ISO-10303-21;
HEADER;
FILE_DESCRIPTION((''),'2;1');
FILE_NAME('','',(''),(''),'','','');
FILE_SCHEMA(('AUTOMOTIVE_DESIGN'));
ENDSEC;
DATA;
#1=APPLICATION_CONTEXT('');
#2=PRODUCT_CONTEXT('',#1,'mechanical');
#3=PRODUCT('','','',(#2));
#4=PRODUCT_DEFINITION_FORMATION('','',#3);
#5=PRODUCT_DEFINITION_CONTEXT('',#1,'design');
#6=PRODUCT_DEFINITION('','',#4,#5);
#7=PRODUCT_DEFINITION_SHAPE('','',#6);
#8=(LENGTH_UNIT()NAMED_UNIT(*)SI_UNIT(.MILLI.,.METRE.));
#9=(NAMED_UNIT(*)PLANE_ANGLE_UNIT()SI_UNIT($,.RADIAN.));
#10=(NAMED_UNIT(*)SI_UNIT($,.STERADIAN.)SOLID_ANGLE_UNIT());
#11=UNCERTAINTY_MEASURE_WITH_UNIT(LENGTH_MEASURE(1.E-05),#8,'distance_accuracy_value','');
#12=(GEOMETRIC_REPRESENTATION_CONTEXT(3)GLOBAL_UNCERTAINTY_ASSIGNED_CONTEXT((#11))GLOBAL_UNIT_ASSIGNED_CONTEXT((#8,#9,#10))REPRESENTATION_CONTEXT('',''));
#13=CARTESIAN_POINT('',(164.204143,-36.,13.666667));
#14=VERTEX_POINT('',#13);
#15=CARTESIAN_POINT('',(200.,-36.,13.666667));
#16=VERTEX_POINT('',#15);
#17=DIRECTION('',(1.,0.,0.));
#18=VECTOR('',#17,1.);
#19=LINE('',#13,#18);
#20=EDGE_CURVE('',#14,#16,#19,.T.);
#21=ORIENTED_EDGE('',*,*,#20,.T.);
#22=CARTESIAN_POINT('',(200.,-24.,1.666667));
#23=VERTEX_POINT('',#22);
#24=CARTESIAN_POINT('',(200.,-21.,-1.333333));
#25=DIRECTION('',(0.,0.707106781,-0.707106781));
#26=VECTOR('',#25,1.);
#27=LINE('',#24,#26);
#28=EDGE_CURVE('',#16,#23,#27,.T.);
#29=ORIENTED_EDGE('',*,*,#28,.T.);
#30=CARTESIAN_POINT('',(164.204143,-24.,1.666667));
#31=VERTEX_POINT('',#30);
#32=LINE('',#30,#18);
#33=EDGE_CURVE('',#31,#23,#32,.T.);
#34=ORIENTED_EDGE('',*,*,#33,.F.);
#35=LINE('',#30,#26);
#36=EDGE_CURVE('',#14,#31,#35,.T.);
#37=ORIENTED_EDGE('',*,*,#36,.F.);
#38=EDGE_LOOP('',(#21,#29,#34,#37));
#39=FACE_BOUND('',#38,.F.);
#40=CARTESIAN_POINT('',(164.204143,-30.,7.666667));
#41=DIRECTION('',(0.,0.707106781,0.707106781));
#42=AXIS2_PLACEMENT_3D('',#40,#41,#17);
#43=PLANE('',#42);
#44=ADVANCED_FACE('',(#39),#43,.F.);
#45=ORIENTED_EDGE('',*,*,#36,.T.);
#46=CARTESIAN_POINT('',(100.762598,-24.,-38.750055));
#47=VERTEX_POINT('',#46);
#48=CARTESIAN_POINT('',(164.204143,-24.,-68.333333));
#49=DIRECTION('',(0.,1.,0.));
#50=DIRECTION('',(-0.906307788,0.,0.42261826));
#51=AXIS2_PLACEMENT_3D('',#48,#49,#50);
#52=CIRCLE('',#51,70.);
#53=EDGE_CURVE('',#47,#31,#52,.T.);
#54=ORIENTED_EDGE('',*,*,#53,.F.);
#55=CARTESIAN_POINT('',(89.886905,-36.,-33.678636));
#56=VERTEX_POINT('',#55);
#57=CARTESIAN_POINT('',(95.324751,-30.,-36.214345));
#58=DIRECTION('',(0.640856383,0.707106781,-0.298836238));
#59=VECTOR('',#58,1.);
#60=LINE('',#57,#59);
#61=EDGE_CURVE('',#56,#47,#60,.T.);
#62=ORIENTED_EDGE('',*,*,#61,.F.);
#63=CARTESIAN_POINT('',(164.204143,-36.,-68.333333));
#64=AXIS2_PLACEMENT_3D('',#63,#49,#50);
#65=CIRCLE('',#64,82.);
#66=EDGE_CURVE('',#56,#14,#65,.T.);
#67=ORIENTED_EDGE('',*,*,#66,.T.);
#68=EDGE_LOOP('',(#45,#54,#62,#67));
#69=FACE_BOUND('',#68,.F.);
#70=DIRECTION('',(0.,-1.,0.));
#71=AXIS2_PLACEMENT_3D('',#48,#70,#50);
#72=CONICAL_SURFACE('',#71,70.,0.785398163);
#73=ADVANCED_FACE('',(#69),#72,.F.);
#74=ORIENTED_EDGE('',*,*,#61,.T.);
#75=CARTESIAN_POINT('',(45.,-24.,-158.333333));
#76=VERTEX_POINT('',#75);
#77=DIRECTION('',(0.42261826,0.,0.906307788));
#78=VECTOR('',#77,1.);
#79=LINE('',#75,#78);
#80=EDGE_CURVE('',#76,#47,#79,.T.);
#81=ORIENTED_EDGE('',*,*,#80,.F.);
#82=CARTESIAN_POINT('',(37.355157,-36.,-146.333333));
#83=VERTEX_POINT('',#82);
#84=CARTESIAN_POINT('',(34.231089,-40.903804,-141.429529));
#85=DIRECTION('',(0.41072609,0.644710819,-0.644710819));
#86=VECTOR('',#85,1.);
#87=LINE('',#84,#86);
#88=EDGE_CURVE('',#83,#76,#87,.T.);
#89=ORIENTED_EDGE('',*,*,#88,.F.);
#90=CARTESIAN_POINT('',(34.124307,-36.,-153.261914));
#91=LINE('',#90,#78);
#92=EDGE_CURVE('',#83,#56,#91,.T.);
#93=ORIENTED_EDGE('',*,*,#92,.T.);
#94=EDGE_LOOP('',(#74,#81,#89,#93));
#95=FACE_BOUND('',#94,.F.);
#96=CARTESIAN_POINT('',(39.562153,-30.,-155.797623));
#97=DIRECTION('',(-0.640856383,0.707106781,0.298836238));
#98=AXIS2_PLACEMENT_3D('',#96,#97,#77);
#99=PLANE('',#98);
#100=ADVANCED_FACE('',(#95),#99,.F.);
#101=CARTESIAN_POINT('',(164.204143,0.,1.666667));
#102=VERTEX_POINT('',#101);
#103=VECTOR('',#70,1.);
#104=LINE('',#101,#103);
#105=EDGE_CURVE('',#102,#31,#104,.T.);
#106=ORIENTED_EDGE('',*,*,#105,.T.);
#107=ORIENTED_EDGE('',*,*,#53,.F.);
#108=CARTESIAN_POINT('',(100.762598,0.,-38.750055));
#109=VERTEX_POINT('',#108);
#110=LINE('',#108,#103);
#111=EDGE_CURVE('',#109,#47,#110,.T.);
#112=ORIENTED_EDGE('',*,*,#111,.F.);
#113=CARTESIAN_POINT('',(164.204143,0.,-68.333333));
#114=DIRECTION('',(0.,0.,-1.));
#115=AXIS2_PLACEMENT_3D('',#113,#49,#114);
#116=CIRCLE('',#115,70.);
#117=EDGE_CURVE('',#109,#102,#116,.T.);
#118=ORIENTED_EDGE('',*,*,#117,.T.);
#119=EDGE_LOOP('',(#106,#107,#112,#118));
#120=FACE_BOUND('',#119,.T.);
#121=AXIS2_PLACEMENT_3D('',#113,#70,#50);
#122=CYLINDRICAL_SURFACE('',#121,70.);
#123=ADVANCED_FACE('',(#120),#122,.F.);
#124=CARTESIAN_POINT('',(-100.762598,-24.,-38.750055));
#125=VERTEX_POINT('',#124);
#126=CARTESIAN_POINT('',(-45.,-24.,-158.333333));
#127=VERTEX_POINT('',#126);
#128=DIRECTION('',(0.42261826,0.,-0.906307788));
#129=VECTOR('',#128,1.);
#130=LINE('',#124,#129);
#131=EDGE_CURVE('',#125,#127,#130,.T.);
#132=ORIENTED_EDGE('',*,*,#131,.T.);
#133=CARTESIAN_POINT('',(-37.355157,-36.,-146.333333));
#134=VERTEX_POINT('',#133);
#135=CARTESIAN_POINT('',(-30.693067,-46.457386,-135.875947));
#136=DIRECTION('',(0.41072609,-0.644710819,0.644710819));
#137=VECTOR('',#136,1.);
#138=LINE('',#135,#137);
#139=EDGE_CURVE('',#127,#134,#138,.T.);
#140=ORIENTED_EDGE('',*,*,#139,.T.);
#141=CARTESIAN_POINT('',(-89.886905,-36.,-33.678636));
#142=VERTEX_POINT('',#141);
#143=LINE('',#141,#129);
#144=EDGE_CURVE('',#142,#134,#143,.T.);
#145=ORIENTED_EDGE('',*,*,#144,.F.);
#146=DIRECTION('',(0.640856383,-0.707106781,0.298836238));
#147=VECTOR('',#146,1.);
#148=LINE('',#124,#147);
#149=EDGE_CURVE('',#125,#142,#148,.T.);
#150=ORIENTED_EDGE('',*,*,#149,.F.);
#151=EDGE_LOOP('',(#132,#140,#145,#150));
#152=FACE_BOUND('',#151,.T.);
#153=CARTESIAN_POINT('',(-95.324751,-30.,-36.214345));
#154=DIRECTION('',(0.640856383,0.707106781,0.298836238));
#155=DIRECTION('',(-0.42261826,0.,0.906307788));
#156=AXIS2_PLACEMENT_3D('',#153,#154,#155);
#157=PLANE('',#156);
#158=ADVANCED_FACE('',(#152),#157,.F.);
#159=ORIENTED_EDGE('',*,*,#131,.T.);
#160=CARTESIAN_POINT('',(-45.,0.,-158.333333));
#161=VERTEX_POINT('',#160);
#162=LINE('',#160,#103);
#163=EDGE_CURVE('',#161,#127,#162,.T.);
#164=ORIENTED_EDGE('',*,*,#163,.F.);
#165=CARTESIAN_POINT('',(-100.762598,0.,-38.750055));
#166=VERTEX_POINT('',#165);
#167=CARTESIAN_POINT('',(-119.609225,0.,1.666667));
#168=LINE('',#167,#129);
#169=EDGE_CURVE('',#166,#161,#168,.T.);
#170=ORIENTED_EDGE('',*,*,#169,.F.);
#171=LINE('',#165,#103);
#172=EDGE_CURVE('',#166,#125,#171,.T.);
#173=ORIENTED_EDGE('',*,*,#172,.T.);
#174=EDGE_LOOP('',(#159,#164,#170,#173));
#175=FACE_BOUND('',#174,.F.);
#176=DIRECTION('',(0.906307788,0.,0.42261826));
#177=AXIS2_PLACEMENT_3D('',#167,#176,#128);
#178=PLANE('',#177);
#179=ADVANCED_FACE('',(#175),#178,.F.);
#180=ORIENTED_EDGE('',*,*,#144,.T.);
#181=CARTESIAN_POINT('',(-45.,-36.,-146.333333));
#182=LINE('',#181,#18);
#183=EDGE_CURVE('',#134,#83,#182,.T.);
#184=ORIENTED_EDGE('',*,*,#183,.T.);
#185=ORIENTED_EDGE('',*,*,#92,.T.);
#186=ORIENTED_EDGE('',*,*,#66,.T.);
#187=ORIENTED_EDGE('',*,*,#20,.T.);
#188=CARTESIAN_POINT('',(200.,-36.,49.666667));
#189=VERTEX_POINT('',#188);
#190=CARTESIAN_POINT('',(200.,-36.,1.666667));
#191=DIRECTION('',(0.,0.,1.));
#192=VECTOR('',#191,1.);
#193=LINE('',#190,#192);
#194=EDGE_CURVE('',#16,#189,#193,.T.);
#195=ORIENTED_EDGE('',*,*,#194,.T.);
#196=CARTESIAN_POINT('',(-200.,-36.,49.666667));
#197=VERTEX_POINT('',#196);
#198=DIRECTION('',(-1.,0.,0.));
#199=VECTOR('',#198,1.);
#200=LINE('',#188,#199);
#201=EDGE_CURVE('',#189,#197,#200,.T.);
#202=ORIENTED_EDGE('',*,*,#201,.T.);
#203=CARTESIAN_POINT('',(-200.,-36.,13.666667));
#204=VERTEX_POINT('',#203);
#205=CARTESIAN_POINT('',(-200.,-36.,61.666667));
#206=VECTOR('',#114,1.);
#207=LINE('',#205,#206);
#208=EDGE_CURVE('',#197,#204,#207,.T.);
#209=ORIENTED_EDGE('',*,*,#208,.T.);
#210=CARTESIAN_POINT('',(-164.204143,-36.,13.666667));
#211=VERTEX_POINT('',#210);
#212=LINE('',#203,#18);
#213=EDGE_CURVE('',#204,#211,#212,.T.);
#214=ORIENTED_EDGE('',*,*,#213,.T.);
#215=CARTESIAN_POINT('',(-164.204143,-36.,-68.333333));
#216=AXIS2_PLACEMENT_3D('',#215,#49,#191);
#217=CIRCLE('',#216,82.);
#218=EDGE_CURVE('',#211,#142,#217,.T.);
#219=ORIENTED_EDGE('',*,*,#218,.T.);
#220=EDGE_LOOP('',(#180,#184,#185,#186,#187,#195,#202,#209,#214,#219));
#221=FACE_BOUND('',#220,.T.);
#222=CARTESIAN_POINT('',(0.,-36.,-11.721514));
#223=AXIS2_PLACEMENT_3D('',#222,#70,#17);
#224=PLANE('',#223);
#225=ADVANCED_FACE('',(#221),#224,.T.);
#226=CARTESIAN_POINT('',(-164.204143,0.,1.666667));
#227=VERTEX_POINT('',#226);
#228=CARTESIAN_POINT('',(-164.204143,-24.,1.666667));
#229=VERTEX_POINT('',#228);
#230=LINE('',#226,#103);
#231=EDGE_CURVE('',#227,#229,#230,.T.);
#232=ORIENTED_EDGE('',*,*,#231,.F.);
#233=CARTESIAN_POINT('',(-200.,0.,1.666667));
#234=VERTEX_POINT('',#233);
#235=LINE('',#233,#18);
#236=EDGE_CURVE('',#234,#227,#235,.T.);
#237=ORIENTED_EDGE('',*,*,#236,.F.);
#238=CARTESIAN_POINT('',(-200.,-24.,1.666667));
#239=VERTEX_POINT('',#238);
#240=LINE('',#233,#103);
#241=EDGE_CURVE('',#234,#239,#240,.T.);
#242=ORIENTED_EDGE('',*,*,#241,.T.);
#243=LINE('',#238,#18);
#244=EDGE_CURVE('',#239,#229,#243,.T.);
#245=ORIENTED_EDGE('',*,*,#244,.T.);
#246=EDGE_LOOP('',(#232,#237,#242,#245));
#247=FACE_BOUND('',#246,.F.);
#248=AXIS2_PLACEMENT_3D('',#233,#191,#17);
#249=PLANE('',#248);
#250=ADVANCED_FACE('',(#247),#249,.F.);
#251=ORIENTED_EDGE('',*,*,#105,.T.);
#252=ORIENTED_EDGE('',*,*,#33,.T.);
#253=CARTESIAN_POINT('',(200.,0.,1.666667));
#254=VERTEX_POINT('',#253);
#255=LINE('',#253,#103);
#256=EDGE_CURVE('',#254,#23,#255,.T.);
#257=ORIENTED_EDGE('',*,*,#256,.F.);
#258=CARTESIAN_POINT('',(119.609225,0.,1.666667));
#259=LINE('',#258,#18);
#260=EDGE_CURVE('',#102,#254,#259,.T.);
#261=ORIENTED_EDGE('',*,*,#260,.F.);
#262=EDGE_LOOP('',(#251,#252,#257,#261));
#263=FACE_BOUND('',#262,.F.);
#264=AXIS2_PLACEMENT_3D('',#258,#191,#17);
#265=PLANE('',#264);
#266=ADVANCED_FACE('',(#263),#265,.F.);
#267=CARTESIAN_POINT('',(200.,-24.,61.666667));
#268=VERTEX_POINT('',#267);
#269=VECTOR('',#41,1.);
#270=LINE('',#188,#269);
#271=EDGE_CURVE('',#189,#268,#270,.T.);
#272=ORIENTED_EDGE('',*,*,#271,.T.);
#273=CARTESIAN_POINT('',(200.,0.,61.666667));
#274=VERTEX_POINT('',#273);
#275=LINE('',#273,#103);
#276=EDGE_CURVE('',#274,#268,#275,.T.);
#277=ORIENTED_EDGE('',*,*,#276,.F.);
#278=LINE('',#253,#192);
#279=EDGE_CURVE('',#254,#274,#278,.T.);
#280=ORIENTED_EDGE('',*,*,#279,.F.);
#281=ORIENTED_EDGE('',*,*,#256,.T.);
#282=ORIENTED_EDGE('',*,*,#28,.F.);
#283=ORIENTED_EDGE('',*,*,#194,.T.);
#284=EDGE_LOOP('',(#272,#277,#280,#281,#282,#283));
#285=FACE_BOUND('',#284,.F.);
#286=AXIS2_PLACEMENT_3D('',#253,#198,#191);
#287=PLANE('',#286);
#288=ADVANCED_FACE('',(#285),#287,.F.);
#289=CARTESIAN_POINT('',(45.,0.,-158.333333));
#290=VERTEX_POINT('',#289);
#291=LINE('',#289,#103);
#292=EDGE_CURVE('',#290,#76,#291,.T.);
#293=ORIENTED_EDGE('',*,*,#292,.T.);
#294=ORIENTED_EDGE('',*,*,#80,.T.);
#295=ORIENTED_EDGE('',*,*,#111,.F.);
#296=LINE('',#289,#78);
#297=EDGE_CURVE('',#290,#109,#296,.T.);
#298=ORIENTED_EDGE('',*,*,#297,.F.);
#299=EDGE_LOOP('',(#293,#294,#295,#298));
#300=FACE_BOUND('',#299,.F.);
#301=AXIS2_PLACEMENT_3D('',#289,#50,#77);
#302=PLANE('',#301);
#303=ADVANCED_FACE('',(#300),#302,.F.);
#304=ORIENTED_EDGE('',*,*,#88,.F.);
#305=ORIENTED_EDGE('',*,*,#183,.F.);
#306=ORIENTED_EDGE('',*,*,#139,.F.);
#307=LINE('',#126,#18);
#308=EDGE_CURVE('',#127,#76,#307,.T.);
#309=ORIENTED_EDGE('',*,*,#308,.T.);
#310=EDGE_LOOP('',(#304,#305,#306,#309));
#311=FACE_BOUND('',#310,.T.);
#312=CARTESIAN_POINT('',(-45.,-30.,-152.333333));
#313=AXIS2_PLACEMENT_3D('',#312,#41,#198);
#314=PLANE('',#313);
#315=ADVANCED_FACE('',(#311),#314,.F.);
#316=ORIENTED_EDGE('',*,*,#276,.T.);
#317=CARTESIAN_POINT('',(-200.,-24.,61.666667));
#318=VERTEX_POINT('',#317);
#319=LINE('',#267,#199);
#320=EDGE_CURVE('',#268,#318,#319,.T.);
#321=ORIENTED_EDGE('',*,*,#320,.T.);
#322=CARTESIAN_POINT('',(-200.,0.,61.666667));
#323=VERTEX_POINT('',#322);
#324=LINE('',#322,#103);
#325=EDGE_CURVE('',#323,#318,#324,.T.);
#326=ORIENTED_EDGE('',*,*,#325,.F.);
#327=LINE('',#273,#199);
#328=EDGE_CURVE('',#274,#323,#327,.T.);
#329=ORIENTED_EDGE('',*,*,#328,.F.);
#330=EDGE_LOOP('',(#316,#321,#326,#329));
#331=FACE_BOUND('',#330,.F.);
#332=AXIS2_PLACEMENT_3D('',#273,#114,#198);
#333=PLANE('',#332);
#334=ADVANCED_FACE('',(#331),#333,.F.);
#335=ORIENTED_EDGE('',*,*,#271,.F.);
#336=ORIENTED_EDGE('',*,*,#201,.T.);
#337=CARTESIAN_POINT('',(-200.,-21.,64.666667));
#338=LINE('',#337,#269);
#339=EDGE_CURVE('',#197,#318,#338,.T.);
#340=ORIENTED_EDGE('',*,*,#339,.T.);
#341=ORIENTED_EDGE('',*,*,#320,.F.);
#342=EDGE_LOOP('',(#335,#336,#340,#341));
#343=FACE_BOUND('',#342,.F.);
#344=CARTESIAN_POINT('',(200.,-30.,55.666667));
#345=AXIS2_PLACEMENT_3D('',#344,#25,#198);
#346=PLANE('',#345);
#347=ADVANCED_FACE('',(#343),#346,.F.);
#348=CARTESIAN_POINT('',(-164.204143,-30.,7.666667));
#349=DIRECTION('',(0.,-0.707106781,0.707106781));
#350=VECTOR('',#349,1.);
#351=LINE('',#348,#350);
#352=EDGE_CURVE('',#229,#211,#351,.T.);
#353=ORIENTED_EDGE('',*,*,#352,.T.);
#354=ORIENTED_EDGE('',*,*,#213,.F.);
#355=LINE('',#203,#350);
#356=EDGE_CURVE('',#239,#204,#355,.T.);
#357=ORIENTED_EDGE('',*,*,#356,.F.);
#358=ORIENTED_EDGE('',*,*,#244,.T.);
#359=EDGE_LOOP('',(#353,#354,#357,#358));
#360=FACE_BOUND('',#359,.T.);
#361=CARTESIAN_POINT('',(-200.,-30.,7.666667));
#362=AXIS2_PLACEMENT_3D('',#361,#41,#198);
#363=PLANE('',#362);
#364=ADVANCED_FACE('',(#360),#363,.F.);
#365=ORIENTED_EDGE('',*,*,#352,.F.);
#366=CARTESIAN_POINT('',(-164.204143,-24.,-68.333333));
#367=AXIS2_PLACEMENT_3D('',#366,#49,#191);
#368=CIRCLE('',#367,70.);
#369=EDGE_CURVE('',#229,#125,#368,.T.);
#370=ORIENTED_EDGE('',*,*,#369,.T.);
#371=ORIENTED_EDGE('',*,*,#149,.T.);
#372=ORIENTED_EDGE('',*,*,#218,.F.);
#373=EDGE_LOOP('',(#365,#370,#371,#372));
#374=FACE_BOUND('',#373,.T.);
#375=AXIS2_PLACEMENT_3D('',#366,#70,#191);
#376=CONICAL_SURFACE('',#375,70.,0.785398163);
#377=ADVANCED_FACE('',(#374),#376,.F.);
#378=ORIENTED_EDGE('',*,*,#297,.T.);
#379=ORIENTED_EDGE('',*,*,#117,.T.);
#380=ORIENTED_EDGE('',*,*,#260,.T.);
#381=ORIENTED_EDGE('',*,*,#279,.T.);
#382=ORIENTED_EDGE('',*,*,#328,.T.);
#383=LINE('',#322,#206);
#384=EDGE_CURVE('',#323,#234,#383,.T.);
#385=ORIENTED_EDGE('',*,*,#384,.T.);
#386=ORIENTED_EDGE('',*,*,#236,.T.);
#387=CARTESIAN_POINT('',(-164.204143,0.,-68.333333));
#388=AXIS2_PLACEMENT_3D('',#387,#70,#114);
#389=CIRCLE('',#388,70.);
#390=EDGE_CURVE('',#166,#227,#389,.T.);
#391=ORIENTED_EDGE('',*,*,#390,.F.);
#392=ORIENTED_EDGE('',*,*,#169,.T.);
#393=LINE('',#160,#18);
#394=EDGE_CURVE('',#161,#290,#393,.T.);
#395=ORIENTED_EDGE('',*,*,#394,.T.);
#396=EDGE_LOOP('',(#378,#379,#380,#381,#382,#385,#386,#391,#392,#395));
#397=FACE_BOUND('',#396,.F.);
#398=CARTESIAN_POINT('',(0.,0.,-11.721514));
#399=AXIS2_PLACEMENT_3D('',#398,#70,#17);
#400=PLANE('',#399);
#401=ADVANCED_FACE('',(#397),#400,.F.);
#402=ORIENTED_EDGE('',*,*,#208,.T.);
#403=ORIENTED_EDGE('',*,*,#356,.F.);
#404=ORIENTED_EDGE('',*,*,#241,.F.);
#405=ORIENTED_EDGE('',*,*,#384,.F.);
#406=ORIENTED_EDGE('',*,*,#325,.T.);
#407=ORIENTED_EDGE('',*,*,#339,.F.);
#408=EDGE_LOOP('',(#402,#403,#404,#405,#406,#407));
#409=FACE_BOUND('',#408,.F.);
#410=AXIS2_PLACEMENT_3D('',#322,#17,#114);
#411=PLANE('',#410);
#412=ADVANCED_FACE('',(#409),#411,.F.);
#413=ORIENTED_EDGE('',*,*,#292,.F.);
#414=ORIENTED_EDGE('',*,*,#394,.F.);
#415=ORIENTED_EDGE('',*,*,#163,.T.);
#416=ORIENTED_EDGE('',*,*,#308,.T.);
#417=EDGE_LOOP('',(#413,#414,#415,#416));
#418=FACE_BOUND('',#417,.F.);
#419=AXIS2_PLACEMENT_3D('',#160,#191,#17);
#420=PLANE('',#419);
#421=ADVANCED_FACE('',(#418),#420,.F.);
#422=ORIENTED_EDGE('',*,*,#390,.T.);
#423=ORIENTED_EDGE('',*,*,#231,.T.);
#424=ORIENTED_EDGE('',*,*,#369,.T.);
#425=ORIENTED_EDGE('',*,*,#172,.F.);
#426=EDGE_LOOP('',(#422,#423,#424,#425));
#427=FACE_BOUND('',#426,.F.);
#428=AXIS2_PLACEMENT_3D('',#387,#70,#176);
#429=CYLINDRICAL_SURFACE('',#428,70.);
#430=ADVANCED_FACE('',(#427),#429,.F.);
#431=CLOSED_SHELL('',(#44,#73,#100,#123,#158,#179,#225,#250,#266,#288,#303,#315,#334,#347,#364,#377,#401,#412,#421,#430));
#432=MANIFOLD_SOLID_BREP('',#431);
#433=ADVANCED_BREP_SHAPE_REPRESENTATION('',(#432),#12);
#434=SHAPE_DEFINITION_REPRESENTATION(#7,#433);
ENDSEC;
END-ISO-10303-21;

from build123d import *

# Parameters (mm, degrees)
F1_DEPTH = 36
F2_R     = 70
F3_SIZE  = 12


with BuildPart() as f1:
    # F0 (on Front) → F1 (new body)
    with BuildSketch(Plane.XZ):
        Polygon((-119.609225, 1.666667), (-45, -158.333333), (45, -158.333333), (119.609225, 1.666667), (200, 1.666667), (200, 61.666667), (-200, 61.666667), (-200, 1.666667), align=None)
    extrude(amount=F1_DEPTH)

    # F2
    f2_edges = [f1.edges().sort_by_distance(p)[0] for p in [
        (119.609225, -18, 1.666667),
        (-119.609225, -18, 1.666667),
    ]]
    fillet(f2_edges, radius=F2_R)

    # F3
    f3_edges = [f1.edges().sort_by_distance(p)[0] for p in [
        (0, -36, 61.666667),
        (182.102072, -36, 1.666667),
        (-72.881299, -36, -98.541694),
        (0, -36, -158.333333),
    ]]
    chamfer(f3_edges, length=F3_SIZE)


solid = f1.part
